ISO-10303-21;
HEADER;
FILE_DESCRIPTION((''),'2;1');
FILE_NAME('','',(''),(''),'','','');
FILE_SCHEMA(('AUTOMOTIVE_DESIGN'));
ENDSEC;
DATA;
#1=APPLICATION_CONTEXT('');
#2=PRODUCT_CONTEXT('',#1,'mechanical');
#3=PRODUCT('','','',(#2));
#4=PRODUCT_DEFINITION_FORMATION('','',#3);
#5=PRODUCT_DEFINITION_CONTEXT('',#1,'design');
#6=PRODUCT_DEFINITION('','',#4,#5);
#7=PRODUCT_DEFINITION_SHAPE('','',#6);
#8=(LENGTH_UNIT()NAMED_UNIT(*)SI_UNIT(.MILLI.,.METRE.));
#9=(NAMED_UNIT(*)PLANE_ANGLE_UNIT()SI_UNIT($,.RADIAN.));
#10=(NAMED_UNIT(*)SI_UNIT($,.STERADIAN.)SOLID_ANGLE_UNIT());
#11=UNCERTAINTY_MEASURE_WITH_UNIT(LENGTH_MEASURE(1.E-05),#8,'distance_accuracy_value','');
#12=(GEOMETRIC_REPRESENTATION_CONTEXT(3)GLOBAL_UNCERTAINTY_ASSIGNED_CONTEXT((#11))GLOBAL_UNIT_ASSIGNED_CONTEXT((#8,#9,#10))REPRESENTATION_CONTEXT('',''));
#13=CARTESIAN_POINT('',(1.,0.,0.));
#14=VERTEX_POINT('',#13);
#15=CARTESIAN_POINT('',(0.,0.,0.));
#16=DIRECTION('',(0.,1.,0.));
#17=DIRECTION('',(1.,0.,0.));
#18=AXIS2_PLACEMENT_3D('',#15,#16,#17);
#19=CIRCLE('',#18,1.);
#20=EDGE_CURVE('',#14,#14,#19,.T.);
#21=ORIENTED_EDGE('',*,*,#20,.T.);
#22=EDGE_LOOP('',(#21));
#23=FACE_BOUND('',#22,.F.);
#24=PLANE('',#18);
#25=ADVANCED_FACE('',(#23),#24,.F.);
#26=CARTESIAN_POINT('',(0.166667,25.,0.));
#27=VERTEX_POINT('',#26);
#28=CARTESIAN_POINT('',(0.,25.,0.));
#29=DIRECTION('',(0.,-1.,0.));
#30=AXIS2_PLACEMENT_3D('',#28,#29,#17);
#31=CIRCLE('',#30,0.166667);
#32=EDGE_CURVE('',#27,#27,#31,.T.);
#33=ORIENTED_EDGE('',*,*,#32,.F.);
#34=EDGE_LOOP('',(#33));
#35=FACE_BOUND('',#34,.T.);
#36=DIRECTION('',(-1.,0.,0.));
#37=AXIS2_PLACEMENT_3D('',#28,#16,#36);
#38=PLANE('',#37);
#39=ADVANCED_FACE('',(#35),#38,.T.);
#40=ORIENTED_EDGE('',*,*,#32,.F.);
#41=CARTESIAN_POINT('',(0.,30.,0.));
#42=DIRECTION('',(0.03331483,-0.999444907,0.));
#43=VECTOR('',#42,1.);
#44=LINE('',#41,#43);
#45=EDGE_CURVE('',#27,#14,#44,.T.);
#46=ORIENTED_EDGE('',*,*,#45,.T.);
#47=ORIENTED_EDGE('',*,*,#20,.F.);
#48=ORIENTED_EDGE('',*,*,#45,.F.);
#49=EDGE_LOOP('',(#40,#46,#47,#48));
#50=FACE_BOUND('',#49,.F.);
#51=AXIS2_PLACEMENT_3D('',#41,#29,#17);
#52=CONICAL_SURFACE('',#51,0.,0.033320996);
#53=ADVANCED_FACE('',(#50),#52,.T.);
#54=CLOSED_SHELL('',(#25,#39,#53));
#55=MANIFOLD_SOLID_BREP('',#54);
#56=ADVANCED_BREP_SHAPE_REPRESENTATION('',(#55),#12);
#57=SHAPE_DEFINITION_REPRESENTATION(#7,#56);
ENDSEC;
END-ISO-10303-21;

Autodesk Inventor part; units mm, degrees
ref_plane "YZ Plane" through (0, 0, 0) normal (1, 0, 0) x (0, 1, 0)
ref_plane "XY Plane" through (0, 0, 0) normal (0, 0, 1) x (1, 0, 0)
sketch "Sketch3" plane through (0, 0, 0) normal (0, 0, 1) x (1, 0, 0)
  line L0 (0, 0) -> (0, 30)
  line L1 (0, 30) -> (1, 0)
  line L2 (1, 0) -> (0, 0)
  dimension "d3" = 30
  dimension "d4" = 1
revolve "Revolution1" add sketch "Sketch3" angle 360 about axis through (0, 0, 0) along (0, 1, 0)
ref_plane "Work Plane1" through (0, 30, 0) normal (0, 1, 0) x (-1, 0, 0)
sketch "Sketch5" plane through (0, 30, 0) normal (0, 1, 0) x (-1, 0, 0)
  circle A0 centre (0, 0) radius 1 projected
  circle A1 centre (0, 0) radius 2.811
extrude "Extrusion3" cut sketch "Sketch5" against normal blind 5 contours A0 | A1
properties part number "LaserBeamEntry2_UNDEF"
